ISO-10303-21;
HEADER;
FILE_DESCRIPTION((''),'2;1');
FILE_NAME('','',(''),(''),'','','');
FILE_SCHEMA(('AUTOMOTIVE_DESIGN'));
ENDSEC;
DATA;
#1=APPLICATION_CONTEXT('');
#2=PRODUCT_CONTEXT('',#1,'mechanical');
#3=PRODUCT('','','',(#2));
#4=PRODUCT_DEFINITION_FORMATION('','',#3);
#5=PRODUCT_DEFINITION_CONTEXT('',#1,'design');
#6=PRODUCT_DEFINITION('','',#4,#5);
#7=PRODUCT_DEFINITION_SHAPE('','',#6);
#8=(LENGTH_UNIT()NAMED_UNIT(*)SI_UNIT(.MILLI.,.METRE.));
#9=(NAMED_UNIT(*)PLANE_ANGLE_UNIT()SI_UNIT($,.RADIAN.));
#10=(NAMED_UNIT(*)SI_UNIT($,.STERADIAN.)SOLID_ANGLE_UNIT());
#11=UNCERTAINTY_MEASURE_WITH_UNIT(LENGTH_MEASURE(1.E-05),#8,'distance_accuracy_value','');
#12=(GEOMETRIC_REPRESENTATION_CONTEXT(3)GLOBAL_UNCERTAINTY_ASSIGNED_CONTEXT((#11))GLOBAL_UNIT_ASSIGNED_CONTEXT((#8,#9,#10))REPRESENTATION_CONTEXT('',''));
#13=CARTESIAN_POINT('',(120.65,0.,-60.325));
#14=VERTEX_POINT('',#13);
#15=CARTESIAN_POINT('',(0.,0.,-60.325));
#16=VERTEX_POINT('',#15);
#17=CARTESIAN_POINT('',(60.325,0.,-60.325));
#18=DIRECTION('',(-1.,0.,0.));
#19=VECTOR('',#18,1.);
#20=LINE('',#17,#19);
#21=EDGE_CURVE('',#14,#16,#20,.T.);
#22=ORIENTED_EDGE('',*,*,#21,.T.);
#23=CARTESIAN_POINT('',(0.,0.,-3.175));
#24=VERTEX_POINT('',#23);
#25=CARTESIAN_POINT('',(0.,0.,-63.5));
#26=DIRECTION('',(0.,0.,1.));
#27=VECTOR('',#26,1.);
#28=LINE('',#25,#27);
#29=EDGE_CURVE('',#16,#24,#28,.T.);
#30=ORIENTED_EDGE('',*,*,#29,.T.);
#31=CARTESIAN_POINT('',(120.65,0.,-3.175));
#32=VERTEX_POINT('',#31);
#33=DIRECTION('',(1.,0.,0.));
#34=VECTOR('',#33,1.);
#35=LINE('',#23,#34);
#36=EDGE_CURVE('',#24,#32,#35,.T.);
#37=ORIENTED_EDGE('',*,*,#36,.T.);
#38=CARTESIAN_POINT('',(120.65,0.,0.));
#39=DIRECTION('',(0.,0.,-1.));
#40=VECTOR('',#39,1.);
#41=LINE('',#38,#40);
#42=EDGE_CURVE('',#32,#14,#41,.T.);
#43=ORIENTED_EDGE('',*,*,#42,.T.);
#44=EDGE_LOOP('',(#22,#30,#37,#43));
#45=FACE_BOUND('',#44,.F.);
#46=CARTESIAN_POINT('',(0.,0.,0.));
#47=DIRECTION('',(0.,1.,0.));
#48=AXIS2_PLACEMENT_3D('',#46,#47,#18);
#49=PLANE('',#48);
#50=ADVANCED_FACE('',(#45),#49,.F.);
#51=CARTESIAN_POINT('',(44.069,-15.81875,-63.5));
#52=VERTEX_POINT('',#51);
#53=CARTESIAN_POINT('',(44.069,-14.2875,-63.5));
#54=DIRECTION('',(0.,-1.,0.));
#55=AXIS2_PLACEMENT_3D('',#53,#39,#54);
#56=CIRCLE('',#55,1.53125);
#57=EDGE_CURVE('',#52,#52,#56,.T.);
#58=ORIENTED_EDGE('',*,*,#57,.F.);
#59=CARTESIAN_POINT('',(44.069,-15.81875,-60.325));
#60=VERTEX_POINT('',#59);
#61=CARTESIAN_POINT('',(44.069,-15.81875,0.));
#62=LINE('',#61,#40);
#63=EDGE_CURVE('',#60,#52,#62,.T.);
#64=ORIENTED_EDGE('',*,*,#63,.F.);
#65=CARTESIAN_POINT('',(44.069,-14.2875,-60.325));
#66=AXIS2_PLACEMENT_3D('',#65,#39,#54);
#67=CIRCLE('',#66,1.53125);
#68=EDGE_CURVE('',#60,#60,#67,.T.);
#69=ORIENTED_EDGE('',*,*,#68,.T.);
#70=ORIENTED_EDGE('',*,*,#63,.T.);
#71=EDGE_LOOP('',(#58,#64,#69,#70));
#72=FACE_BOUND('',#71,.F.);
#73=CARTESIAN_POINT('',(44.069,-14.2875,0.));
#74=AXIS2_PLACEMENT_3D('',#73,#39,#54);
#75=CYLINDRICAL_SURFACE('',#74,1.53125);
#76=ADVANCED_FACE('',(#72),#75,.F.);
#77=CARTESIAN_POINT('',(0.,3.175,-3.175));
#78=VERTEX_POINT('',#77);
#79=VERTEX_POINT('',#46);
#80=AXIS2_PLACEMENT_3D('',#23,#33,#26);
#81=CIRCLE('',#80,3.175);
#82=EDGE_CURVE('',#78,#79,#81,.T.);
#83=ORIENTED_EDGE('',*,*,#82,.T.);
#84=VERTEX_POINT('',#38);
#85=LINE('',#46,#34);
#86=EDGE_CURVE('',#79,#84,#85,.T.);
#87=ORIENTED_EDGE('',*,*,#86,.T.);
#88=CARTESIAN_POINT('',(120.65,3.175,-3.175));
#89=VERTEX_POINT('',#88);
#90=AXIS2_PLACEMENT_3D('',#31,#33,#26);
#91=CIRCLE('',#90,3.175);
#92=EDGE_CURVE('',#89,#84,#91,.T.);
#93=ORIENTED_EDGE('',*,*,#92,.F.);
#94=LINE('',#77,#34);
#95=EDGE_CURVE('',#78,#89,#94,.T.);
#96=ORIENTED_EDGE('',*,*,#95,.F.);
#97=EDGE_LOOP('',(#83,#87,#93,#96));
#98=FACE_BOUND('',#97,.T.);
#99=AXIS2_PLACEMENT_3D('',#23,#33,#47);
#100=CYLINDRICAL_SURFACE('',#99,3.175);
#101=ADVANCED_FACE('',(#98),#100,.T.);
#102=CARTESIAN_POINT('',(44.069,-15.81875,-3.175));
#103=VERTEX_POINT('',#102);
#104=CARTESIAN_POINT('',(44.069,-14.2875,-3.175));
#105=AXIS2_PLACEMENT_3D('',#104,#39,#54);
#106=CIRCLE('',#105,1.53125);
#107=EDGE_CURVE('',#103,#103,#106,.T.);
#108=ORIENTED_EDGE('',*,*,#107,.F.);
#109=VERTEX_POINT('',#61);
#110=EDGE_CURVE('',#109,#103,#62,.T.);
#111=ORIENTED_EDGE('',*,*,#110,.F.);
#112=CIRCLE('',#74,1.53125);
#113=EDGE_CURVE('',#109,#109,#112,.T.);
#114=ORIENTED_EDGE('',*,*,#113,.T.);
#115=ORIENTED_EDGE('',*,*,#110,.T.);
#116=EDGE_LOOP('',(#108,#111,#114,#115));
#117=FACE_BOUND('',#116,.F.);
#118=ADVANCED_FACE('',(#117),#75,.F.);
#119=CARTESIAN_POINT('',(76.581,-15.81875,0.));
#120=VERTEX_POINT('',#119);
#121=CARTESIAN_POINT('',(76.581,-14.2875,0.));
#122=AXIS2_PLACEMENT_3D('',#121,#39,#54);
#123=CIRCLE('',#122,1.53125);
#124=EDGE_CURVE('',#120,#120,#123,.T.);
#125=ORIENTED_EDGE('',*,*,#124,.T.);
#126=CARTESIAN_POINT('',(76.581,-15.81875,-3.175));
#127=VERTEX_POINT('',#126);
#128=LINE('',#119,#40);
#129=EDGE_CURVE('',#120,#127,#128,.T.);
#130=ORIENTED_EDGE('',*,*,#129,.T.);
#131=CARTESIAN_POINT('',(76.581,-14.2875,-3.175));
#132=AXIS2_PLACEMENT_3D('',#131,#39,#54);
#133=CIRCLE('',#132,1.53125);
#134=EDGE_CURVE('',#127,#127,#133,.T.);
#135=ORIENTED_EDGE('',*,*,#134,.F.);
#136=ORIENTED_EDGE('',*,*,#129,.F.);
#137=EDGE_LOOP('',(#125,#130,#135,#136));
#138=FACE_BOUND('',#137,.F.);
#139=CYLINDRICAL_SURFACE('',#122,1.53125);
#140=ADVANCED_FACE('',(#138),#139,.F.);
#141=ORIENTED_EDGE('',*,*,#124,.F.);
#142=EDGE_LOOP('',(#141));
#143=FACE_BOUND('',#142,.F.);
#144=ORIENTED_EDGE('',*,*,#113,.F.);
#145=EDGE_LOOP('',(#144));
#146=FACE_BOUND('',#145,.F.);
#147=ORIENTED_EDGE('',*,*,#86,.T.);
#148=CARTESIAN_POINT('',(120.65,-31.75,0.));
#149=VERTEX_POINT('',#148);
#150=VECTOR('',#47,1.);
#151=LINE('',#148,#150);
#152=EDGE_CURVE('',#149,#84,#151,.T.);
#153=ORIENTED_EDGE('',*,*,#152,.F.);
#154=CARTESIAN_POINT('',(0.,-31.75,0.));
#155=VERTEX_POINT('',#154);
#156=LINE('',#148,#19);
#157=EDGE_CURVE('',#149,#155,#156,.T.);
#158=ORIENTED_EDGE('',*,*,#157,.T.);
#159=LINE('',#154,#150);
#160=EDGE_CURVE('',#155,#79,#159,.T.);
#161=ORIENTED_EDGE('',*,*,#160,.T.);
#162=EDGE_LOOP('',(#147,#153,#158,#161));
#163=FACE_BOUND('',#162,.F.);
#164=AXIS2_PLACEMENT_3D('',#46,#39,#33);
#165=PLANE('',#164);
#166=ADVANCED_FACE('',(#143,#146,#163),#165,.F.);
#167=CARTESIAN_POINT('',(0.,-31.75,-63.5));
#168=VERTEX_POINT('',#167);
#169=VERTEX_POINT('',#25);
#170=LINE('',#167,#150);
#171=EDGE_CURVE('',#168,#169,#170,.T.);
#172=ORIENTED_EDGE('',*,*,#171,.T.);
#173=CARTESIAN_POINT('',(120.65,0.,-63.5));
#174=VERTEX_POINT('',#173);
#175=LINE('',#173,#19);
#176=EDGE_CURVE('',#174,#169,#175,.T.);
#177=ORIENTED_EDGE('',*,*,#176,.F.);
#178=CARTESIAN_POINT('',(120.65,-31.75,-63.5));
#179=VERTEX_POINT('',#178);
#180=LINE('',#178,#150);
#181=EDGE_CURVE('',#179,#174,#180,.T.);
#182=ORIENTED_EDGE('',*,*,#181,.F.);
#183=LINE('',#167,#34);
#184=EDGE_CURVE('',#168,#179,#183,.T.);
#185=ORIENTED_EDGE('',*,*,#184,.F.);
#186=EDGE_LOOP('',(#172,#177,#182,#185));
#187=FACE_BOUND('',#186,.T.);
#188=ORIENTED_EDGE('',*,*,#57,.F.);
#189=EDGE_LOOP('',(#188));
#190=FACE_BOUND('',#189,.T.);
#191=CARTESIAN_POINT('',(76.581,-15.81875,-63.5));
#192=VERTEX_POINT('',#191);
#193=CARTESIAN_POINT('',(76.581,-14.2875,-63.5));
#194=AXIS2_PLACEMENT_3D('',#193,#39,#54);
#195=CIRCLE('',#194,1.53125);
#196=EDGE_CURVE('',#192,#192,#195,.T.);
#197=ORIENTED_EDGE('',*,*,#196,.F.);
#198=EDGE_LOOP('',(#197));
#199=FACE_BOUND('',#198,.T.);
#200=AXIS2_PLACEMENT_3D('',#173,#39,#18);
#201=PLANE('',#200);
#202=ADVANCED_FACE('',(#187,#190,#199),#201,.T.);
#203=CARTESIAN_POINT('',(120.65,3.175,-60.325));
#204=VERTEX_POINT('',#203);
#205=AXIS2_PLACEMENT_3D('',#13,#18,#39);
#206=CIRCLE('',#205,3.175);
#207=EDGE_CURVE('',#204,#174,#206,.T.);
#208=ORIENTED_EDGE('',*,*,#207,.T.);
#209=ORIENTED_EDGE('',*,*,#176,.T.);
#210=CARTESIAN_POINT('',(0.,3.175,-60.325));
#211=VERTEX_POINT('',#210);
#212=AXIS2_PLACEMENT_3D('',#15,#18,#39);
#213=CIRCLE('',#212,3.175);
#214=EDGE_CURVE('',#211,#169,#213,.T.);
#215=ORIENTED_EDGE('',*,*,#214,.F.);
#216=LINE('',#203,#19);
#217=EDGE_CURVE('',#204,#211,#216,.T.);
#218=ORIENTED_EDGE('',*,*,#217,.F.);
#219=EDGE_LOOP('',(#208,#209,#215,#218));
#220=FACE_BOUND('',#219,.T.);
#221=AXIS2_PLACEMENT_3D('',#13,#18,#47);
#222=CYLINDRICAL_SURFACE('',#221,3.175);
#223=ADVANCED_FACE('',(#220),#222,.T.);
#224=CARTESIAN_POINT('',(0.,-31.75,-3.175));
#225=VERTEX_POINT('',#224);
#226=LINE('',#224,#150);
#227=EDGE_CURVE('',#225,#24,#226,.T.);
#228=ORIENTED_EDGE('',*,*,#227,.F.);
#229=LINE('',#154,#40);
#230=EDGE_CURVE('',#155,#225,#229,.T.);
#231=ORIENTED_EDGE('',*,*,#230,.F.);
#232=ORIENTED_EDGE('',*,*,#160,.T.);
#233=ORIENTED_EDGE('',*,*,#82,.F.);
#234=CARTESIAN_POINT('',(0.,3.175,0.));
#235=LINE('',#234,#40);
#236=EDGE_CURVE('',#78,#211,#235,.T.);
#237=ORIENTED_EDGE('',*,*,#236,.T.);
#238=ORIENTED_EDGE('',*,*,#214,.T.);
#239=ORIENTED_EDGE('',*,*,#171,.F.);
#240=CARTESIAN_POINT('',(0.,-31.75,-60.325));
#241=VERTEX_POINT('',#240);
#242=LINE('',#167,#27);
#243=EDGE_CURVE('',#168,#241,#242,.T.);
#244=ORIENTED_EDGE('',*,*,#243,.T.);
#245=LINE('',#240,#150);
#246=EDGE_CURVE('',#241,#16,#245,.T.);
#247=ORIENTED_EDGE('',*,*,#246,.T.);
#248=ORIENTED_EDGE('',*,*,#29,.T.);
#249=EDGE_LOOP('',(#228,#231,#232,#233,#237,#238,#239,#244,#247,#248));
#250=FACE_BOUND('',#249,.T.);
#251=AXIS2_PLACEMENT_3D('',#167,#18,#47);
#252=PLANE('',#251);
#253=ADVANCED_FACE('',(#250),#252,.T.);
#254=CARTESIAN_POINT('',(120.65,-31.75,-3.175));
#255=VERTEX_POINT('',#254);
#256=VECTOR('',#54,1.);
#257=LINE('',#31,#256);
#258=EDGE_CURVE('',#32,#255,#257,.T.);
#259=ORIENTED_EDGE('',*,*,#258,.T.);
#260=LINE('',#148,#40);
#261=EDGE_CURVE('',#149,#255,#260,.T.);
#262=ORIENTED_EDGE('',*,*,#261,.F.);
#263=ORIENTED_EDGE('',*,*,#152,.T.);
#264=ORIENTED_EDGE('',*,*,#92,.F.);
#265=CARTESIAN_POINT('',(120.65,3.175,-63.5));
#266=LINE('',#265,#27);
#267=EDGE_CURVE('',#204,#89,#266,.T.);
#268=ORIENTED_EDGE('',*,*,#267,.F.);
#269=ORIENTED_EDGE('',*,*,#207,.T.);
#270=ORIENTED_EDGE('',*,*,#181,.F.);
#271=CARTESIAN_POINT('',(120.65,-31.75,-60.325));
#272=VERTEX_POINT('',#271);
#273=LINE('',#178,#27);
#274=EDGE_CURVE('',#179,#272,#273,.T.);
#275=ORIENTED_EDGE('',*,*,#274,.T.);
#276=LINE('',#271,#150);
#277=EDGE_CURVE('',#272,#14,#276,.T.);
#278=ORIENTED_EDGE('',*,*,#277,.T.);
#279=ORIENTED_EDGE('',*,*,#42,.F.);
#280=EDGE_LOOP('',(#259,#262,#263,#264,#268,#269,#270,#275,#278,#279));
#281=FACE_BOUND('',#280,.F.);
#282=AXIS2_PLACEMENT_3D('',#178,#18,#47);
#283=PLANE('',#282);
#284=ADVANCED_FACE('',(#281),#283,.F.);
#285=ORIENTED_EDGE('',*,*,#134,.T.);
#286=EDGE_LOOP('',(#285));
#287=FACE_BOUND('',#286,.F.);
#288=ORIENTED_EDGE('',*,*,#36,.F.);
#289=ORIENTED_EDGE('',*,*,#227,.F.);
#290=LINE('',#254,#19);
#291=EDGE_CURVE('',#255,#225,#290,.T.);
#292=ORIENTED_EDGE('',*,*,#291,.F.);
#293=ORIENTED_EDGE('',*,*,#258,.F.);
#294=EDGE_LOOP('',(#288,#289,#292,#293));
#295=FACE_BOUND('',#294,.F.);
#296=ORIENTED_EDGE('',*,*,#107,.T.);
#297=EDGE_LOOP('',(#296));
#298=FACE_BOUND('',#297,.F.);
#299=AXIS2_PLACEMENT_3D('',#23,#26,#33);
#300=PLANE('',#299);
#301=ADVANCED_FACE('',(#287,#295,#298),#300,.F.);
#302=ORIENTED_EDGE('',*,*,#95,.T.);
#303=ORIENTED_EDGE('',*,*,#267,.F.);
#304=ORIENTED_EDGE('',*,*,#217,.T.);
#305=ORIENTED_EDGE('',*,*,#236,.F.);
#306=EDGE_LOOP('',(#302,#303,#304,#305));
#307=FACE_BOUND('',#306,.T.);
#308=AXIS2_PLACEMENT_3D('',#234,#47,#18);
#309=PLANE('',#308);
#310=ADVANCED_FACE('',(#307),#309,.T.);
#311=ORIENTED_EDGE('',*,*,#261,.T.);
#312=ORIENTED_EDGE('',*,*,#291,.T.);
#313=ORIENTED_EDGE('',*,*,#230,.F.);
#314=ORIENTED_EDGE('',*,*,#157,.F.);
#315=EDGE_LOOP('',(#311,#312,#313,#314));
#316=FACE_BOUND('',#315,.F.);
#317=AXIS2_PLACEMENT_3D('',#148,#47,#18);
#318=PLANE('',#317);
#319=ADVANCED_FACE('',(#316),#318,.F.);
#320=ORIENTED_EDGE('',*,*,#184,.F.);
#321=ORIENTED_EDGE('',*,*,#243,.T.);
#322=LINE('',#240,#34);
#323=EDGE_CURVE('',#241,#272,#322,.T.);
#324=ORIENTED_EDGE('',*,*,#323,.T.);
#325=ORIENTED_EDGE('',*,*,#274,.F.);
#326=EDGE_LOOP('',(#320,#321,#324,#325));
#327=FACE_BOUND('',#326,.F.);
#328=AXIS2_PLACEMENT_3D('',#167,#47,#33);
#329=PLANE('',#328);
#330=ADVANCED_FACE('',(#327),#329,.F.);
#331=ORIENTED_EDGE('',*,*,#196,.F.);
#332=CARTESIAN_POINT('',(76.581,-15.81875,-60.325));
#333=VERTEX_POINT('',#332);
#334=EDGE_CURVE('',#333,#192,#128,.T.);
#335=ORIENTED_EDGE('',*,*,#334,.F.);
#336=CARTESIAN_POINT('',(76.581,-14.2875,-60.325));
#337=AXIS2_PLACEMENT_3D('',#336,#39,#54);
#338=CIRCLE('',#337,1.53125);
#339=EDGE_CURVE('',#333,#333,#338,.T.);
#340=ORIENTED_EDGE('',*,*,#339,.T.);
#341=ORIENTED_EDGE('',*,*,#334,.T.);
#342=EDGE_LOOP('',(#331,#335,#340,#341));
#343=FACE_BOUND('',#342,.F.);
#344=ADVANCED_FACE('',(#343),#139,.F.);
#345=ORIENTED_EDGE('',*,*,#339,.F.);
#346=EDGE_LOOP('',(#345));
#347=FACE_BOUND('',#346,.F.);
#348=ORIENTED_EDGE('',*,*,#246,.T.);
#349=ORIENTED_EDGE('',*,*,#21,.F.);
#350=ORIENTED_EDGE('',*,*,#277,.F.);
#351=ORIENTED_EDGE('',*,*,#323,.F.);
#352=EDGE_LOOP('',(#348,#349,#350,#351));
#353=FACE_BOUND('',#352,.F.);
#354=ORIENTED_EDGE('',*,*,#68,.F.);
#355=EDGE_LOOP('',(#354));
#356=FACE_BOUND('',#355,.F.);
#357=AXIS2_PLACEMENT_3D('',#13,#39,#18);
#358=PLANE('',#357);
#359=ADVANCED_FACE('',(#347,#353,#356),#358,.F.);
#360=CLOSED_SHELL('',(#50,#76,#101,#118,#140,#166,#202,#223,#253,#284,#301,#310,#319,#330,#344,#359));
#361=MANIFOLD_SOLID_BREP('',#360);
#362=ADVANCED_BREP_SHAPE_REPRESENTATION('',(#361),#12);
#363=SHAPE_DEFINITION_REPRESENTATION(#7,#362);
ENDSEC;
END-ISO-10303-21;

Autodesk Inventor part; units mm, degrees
ref_plane "YZ Plane" through (0, 0, 0) normal (1, 0, 0) x (0, 1, 0)
ref_plane "XZ Plane" through (0, 0, 0) normal (0, 1, 0) x (-1, 0, 0)
ref_plane "XY Plane" through (0, 0, 0) normal (0, 0, 1) x (1, 0, 0)
sketch "Sketch1" plane through (0, 0, 0) normal (0, 1, 0) x (-1, 0, 0)
  line L0 (0, 0) -> (-120.65, 0)
  line L1 (-120.65, 0) -> (-120.65, -63.5)
  line L2 (-120.65, -63.5) -> (0, -63.5)
  line L3 (0, -63.5) -> (0, 0)
  dimension "d0" = 120.65
  dimension "d1" = 63.5
extrude "Extrusion1" add sketch "Sketch1" along normal blind 3.175
sketch "Sketch2" plane through (0, 0, 0) normal (0, 0, 1) x (1, 0, 0)
  line L0 (0, 0) -> (120.65, 0) projected
  line L1 (0, 0) -> (120.65, 0)
  line L2 (120.65, 0) -> (120.65, -31.75)
  line L3 (120.65, -31.75) -> (0, -31.75)
  line L4 (0, -31.75) -> (0, 0)
  dimension "d4" = 31.75
extrude "Extrusion2" add sketch "Sketch2" against normal blind 3.175
sketch "Sketch4" plane through (120.65, 0, -63.5) normal (0, 0, -1) x (-1, 0, 0)
  line L0 (0, -31.75) -> (0, 3.175) projected
  line L1 (120.65, -31.75) -> (120.65, 3.175) projected
  line L2 (0, 3.175) -> (120.65, 3.175)
  line L3 (120.65, 3.175) -> (120.65, -31.75)
  line L4 (120.65, -31.75) -> (0, -31.75)
  line L5 (0, -31.75) -> (0, 3.175)
  point P0 (120.65, 0)
extrude "Extrusion4" add sketch "Sketch4" against normal blind 3.175
fillet "Fillet1" radius 3.175 1 edges at (60.325, 3.175, 0)
fillet "Fillet2" radius 3.175 1 edges at (60.325, 3.175, -63.5)
sketch "Sketch5" plane through (0, -31.75, 0) normal (0, 0, 1) x (1, 0, 0)
  line L0 (120.65, 0) -> (0, 0) projected
  line L1 (120.65, 34.925) -> (0, 34.925) projected
  line L2 (120.65, 0) -> (120.65, 31.75) projected
  line L3 (0, 0) -> (0, 31.75) projected
  point P0 (44.069, 17.4625)
  point P1 (76.581, 17.4625)
  point P2 (60.325, 17.4625)
  dimension "d14" = 32.512
  dimension "d15" = 34.925
  dimension "d16" = 17.4625
  dimension "d17" = 17.4625
  dimension "d18" = 120.65
  dimension "d20" = 16.256
  dimension "d21" = 17.4625
  dimension "d22" = 60.325
  dimension "d23" = 16.256
hole "Hole1" at (44.069, -14.2875, 0) at (76.581, -14.2875, 0) direction (0, 0, -1) diameter 3.0625 end through all
equation "\"d16\" = 0.5 * d15"
equation "\"d17\" = d16"
equation "\"d20\" = 0.5 * d14"
equation "\"d21\" = d16"
equation "\"d22\" = 0.5 * d18"
properties part number "track bracket"
